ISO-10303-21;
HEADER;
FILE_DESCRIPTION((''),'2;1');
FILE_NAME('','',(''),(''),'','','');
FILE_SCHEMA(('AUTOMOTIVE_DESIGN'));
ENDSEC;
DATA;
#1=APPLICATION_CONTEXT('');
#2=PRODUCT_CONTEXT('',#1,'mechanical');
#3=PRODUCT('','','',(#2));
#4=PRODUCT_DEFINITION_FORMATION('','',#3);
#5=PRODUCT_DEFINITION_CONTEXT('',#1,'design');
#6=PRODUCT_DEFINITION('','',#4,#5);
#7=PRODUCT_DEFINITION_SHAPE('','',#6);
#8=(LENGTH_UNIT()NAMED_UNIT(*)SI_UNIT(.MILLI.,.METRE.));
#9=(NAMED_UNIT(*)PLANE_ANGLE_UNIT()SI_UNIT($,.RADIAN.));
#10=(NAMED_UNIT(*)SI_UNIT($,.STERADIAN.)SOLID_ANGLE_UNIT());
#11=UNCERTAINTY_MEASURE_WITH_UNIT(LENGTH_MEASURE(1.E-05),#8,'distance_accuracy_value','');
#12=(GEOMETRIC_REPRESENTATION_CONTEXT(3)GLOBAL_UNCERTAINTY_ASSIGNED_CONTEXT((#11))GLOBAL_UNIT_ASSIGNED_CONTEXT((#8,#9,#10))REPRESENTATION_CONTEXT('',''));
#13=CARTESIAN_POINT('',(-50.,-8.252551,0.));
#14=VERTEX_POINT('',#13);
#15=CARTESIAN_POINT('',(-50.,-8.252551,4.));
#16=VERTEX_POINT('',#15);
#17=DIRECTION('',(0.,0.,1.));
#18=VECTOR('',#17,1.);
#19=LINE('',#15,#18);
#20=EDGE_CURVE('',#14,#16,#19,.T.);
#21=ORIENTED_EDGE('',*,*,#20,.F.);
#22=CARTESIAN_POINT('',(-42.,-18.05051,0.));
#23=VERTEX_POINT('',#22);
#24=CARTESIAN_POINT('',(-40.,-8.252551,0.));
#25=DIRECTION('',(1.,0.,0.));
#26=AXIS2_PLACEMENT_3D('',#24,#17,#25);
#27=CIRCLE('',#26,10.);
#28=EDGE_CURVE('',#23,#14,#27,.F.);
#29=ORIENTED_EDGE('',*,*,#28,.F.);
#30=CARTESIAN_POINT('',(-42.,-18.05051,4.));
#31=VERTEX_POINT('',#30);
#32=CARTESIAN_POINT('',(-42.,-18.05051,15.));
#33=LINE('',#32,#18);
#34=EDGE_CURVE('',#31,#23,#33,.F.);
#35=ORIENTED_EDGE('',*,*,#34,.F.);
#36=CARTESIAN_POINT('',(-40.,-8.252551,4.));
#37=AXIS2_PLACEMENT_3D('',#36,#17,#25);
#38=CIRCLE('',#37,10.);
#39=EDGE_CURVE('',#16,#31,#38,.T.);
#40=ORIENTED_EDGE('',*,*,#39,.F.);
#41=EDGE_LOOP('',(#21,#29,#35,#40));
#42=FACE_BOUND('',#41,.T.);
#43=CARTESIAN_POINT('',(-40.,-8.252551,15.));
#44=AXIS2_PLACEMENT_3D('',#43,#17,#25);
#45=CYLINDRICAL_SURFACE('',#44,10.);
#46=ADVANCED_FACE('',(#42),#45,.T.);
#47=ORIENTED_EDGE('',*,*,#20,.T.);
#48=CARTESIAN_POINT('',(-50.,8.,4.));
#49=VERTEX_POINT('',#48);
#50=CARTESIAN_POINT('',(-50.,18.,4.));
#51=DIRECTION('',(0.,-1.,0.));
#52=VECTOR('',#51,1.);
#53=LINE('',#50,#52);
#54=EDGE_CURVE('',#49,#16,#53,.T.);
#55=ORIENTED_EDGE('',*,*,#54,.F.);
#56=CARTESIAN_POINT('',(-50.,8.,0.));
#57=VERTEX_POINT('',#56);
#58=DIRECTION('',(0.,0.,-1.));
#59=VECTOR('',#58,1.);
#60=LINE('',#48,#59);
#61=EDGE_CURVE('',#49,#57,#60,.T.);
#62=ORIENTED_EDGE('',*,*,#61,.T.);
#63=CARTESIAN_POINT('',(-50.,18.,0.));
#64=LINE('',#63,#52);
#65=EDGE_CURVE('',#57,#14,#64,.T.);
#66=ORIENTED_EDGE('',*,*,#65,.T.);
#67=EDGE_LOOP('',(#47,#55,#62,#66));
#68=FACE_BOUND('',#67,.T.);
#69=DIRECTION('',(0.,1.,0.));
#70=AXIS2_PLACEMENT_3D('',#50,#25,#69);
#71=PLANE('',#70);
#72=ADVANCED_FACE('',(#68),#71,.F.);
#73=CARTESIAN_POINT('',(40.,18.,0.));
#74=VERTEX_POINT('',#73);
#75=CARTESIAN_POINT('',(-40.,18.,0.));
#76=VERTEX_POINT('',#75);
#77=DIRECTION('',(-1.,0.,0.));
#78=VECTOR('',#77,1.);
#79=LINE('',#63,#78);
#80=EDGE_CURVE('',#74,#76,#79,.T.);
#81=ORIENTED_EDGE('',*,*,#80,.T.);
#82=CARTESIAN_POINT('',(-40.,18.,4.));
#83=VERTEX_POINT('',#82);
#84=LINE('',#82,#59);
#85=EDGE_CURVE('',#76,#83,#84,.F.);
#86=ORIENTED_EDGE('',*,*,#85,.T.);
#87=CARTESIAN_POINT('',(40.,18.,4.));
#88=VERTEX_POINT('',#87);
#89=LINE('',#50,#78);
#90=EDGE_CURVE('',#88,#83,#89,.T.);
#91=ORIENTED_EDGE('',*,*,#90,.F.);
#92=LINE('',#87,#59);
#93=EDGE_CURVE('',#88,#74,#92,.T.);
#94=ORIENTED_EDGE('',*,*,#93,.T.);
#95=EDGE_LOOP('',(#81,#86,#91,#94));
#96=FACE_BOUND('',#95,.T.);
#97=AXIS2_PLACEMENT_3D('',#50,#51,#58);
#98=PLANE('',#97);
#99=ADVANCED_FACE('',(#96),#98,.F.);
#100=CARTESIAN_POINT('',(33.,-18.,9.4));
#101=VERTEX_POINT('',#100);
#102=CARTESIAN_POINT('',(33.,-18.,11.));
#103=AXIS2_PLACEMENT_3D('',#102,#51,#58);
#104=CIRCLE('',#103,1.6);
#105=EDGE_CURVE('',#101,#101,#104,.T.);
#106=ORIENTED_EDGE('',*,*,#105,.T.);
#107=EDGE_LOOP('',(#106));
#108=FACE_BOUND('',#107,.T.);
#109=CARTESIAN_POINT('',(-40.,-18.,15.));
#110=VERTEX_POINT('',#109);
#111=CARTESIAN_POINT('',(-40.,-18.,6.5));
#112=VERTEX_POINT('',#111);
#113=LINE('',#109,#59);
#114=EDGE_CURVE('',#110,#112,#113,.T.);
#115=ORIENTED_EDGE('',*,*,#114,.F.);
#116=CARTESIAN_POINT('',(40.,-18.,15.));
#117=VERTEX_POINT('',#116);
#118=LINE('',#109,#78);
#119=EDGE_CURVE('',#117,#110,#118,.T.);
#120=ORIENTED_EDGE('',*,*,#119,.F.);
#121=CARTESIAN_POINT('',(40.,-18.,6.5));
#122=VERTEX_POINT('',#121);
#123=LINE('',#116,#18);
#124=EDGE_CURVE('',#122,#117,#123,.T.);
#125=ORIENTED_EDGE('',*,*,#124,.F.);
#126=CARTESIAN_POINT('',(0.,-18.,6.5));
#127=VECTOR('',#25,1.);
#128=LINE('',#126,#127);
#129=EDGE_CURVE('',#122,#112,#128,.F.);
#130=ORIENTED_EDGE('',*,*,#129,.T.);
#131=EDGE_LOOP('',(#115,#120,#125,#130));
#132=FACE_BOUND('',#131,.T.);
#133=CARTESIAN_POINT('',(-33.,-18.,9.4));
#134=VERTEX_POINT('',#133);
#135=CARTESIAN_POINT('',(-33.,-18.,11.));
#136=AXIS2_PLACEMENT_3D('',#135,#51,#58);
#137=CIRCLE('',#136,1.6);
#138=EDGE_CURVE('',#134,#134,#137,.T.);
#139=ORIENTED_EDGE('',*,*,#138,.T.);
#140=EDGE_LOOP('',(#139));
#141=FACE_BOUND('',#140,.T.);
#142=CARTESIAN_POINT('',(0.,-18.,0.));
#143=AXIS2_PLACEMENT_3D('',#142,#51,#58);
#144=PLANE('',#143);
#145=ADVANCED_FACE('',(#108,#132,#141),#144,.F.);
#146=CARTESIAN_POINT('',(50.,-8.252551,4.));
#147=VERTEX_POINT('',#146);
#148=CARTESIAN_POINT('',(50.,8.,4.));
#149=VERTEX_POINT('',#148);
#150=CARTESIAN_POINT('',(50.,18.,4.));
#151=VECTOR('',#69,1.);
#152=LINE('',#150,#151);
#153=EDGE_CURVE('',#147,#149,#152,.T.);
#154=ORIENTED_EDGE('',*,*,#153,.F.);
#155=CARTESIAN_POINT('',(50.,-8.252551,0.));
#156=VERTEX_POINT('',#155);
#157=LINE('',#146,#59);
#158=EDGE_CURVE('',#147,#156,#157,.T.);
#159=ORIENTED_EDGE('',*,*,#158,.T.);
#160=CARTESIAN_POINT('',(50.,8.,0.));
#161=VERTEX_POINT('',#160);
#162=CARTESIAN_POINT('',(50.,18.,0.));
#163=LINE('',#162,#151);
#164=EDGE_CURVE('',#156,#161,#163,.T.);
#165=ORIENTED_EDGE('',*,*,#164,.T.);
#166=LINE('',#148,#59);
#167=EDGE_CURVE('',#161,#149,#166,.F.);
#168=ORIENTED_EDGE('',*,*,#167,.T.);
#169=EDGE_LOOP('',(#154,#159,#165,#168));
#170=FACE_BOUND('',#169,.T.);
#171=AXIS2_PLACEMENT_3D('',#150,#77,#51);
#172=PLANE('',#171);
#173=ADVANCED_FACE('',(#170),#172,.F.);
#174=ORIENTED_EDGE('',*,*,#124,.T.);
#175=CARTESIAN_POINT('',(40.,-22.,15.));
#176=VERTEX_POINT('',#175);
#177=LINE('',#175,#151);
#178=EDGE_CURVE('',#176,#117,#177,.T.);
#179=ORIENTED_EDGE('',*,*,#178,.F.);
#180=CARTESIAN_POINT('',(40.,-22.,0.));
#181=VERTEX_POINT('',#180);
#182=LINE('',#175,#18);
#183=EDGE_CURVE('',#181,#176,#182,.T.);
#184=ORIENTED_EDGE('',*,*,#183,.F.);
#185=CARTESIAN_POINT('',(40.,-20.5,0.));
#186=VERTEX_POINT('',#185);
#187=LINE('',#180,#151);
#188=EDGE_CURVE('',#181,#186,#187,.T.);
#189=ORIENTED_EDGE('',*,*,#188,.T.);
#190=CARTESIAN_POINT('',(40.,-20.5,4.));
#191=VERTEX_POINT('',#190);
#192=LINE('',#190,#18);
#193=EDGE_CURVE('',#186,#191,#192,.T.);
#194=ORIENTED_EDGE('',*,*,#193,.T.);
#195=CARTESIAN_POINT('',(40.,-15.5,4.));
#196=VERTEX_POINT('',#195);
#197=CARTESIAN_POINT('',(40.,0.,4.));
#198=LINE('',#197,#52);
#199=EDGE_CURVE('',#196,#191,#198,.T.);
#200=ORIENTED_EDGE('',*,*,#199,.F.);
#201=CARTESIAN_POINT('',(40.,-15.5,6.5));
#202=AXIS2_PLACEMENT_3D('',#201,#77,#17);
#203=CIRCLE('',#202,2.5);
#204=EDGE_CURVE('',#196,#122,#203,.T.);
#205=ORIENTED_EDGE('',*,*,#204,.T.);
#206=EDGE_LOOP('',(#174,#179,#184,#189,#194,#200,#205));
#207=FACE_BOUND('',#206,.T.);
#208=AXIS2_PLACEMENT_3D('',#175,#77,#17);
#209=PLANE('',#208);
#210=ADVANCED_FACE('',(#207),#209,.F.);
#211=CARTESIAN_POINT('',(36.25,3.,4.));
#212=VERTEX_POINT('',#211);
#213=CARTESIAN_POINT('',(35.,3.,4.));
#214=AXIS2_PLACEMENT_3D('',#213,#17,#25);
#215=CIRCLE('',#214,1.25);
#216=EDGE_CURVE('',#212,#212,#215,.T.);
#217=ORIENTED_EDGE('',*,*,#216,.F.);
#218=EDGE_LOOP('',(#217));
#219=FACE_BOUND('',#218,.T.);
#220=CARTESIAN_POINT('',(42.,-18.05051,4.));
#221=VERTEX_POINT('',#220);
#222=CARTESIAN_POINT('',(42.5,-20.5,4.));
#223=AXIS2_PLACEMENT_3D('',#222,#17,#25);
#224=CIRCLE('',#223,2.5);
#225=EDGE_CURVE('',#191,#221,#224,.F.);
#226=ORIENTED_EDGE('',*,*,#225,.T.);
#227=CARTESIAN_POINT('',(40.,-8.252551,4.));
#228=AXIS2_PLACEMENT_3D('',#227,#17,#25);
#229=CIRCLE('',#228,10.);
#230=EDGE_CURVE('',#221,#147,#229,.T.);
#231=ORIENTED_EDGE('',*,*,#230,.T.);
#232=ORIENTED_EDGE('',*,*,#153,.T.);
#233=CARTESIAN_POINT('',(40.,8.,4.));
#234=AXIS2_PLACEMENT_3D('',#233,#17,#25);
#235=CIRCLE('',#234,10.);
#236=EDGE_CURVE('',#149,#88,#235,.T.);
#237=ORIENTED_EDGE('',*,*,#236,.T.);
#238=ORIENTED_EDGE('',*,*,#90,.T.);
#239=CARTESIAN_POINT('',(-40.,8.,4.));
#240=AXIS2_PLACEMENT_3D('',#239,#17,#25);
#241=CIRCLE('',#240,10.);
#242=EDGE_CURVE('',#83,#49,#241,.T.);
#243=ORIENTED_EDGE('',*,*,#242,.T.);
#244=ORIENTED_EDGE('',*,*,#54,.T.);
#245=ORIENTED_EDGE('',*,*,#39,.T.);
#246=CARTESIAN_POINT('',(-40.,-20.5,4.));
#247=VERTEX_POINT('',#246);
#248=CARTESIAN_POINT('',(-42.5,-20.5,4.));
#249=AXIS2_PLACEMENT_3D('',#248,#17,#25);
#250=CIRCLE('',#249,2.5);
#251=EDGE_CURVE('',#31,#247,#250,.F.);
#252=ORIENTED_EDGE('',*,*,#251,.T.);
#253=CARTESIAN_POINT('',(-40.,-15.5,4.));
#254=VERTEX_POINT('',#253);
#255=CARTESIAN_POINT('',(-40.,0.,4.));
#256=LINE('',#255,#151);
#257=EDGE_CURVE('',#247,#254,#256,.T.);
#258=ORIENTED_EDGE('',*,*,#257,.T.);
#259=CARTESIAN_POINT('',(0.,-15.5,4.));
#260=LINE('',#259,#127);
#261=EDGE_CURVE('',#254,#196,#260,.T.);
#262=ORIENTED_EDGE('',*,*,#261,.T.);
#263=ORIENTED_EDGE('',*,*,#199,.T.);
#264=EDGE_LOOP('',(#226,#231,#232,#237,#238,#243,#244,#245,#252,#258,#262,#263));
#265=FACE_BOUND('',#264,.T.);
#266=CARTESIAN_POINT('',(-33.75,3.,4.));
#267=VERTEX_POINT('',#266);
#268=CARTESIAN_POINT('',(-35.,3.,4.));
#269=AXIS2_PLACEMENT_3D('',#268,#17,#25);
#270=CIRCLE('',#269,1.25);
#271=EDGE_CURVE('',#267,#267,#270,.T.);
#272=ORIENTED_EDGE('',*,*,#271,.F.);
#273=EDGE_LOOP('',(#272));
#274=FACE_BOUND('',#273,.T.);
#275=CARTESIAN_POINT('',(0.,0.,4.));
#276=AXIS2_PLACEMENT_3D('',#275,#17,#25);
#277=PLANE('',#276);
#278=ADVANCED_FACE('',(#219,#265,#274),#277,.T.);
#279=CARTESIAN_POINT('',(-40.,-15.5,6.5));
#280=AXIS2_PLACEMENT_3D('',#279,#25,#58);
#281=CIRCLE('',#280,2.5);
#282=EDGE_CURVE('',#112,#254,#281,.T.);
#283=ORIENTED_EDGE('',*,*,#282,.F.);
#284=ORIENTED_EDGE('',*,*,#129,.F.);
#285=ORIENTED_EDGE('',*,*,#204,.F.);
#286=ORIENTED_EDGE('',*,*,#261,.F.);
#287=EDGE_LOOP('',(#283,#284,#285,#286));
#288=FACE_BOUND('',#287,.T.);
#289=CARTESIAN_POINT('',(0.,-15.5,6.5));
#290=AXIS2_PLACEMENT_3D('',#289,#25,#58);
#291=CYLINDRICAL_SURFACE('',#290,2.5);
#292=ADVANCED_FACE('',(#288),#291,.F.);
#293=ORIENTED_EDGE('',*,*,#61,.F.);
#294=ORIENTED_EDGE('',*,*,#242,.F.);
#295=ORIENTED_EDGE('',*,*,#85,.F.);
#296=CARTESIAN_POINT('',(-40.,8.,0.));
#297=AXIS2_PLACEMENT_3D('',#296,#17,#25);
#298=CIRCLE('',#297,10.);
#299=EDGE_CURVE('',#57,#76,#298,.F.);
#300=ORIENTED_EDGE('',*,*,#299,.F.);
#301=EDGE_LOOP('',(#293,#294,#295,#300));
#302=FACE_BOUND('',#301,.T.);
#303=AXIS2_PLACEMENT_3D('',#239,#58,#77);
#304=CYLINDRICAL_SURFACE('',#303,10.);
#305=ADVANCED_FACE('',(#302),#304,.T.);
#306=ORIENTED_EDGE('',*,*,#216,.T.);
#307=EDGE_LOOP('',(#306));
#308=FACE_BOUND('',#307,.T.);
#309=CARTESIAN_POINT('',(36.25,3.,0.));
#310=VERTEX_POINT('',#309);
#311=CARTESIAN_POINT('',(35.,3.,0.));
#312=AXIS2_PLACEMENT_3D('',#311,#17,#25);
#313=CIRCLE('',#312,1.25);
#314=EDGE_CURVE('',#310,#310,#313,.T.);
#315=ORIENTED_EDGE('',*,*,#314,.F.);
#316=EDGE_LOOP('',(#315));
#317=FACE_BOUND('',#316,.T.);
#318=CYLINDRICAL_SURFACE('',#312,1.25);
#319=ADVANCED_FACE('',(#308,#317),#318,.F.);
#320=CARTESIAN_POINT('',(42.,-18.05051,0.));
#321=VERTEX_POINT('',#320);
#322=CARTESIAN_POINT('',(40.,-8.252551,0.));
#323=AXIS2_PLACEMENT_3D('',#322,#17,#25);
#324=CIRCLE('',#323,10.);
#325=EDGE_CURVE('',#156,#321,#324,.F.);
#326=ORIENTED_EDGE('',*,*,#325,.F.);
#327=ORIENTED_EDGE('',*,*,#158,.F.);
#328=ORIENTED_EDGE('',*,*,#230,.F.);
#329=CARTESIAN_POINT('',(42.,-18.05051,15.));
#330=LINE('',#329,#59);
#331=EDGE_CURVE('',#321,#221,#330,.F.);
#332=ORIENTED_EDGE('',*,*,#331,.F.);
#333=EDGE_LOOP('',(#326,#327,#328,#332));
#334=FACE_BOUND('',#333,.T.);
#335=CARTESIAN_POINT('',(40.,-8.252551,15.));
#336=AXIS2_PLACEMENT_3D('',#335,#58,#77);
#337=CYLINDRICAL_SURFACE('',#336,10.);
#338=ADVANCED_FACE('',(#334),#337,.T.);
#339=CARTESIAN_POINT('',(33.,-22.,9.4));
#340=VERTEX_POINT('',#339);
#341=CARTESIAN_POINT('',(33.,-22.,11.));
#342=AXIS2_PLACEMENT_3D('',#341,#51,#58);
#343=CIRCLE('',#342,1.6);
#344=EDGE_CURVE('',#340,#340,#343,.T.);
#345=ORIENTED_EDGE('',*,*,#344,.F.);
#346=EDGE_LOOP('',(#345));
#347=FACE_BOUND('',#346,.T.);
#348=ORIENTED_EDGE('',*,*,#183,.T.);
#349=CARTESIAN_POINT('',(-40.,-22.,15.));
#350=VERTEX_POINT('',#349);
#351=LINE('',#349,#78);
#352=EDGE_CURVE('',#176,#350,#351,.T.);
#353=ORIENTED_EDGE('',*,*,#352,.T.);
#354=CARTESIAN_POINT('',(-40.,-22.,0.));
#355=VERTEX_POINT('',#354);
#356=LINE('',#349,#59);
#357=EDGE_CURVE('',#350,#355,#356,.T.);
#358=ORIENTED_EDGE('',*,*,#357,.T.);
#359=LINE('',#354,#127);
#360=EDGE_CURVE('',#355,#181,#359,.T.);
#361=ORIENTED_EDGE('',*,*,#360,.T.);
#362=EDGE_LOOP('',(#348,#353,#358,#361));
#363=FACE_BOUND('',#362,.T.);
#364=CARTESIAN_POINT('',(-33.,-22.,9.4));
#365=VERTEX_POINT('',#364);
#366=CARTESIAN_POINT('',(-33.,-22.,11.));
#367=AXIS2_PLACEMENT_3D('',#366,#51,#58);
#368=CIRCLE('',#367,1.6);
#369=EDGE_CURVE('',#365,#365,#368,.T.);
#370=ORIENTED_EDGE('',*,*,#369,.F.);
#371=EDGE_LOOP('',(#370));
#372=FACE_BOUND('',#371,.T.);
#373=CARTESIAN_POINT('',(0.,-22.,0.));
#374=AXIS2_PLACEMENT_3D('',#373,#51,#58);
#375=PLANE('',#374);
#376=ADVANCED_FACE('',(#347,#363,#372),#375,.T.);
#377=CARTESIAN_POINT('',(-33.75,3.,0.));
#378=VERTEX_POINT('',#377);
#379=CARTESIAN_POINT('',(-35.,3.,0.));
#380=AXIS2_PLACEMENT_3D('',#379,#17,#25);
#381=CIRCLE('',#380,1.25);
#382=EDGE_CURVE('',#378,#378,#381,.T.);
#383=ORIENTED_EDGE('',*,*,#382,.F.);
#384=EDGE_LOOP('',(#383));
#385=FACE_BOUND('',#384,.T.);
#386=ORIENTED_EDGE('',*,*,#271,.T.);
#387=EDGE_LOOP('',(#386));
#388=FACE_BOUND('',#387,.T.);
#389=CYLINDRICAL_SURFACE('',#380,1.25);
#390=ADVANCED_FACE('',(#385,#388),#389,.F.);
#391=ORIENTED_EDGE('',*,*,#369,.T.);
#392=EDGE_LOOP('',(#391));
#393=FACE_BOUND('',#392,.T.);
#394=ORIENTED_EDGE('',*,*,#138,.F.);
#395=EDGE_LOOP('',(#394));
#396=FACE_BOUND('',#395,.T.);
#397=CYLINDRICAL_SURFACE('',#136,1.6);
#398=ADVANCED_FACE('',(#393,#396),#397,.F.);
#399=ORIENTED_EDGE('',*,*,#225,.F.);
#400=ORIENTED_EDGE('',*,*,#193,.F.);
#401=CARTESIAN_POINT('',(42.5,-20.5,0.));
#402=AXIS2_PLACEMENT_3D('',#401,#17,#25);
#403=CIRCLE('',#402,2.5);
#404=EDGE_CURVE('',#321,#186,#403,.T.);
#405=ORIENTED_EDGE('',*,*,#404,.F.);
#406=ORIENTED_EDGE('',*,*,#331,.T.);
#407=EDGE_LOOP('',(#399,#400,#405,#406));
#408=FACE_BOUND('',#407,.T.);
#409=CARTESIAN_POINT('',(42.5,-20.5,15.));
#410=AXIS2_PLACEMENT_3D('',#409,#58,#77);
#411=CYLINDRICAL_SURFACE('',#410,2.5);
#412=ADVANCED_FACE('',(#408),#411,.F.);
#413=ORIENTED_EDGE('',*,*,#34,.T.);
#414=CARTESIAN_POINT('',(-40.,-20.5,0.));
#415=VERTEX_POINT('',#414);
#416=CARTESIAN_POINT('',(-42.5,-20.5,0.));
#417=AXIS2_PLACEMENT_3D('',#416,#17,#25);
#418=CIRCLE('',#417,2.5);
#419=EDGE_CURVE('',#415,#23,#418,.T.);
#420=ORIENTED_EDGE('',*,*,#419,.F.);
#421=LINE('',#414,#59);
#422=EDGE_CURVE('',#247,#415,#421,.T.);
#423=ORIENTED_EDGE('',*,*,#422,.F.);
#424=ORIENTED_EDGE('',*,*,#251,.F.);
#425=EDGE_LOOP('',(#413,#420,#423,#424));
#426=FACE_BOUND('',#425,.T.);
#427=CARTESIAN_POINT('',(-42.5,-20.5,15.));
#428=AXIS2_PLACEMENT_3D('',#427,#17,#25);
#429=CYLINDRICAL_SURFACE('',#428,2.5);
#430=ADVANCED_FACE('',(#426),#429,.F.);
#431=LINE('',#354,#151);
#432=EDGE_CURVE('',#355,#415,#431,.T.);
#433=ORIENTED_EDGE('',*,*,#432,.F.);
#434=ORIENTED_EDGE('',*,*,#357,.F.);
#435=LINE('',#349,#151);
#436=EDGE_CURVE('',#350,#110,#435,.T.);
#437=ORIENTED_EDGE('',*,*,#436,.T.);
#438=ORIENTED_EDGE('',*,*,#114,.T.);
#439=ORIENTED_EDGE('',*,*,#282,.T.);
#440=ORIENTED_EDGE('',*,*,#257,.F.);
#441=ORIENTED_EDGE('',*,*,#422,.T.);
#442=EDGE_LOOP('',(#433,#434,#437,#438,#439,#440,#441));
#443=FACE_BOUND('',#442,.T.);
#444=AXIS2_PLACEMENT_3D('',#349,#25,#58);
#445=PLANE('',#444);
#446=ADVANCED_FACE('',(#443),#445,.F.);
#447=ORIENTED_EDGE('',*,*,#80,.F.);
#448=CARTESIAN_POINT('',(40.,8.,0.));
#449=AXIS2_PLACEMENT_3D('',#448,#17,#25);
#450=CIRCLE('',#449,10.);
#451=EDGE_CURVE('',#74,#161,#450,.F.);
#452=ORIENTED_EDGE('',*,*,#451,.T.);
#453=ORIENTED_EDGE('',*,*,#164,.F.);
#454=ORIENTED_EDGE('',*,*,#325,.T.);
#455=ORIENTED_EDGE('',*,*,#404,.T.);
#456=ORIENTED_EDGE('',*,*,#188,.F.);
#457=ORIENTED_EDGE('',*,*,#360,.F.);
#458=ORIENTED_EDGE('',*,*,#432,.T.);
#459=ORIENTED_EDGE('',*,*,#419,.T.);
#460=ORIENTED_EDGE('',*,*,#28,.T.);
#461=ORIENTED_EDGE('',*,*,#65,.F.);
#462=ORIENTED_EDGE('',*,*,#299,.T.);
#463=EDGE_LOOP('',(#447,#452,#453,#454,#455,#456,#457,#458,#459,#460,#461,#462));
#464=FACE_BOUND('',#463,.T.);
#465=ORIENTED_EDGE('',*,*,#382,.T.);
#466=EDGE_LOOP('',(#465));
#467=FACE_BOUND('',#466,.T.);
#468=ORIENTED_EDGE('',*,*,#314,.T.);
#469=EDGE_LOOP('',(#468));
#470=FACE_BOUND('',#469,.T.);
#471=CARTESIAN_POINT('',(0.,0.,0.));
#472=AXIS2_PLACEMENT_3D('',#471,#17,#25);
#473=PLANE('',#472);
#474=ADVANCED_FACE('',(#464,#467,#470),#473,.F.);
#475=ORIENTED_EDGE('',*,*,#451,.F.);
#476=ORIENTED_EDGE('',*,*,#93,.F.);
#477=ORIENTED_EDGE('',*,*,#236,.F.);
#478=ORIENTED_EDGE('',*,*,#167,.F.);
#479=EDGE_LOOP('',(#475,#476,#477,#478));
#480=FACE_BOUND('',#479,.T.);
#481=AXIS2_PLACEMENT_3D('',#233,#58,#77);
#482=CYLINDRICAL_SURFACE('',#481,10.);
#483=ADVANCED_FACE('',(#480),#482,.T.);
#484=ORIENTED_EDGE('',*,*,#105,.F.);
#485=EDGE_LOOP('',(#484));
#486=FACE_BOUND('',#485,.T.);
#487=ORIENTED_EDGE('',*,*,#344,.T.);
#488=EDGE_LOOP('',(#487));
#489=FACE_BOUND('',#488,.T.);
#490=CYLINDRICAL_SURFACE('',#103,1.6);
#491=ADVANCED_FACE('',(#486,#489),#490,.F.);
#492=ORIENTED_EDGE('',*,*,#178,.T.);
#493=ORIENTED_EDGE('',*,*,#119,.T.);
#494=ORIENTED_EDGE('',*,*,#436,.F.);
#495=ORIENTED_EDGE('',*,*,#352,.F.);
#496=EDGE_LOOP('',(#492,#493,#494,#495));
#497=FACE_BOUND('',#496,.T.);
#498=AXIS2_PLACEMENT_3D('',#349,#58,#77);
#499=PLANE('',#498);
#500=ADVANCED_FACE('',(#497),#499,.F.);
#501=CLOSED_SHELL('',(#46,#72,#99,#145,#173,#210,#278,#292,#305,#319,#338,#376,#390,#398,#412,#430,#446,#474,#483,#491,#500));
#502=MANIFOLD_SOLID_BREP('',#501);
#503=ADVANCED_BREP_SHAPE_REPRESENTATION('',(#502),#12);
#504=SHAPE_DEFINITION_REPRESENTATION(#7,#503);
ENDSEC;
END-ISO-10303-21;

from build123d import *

# Parameters (mm, degrees)
SKETCH1_W           = 100
SKETCH1_H           = 36
BOSS_EXTRUDE1_DEPTH = 4
SKETCH5_W           = 80
SKETCH5_H           = 15
BOSS_EXTRUDE3_DEPTH = 4
SKETCH6_R           = 1.25
CUT_EXTRUDE3_DEPTH  = 56.722526863
FILLET3_R           = 2.5
FILLET4_R           = 2.5
FILLET5_R           = 10
SKETCH7_R           = 1.6
CUT_EXTRUDE4_DEPTH  = 4


with BuildPart() as part:
    # Sketch1 → Boss-Extrude1 (new body)
    with BuildSketch(Plane.XY):
        Rectangle(SKETCH1_W, SKETCH1_H)
    extrude(amount=BOSS_EXTRUDE1_DEPTH)

    # Sketch5 → Boss-Extrude3 (add)
    with BuildSketch(Plane.XZ.offset(18)):
        with Locations((0, 7.5)):
            Rectangle(SKETCH5_W, SKETCH5_H)
    extrude(amount=BOSS_EXTRUDE3_DEPTH)

    # Sketch6 → Cut-Extrude3 (cut, through all)
    with BuildSketch(Plane.XY.offset(4)):
        with Locations((35, 3)):
            Circle(SKETCH6_R)
        with Locations((-35, 3)):
            Circle(SKETCH6_R)
    extrude(amount=-CUT_EXTRUDE3_DEPTH, mode=Mode.SUBTRACT)

    # Fillet3
    fillet3_edges = [part.edges().sort_by_distance(p)[0] for p in [
        (0, -18, 4),
    ]]
    fillet(fillet3_edges, radius=FILLET3_R)

    # Fillet4
    fillet4_edges = [part.edges().sort_by_distance(p)[0] for p in [
        (-40, -18, 2),
        (40, -18, 2),
    ]]
    fillet(fillet4_edges, radius=FILLET4_R)

    # Fillet5
    fillet5_edges = [part.edges().sort_by_distance(p)[0] for p in [
        (-50, -18, 2),
        (50, -18, 2),
        (-50, 18, 2),
        (50, 18, 2),
    ]]
    fillet(fillet5_edges, radius=FILLET5_R)

    # Sketch7 → Cut-Extrude4 (cut)
    with BuildSketch(Plane.XZ.offset(22)):
        with Locations(Location((33, 11, 0), (0, 0, 270))):
            Circle(SKETCH7_R)
        with Locations(Location((-33, 11, 0), (0, 0, 270))):
            Circle(SKETCH7_R)
    extrude(amount=-CUT_EXTRUDE4_DEPTH, mode=Mode.SUBTRACT)


solid = part.part
